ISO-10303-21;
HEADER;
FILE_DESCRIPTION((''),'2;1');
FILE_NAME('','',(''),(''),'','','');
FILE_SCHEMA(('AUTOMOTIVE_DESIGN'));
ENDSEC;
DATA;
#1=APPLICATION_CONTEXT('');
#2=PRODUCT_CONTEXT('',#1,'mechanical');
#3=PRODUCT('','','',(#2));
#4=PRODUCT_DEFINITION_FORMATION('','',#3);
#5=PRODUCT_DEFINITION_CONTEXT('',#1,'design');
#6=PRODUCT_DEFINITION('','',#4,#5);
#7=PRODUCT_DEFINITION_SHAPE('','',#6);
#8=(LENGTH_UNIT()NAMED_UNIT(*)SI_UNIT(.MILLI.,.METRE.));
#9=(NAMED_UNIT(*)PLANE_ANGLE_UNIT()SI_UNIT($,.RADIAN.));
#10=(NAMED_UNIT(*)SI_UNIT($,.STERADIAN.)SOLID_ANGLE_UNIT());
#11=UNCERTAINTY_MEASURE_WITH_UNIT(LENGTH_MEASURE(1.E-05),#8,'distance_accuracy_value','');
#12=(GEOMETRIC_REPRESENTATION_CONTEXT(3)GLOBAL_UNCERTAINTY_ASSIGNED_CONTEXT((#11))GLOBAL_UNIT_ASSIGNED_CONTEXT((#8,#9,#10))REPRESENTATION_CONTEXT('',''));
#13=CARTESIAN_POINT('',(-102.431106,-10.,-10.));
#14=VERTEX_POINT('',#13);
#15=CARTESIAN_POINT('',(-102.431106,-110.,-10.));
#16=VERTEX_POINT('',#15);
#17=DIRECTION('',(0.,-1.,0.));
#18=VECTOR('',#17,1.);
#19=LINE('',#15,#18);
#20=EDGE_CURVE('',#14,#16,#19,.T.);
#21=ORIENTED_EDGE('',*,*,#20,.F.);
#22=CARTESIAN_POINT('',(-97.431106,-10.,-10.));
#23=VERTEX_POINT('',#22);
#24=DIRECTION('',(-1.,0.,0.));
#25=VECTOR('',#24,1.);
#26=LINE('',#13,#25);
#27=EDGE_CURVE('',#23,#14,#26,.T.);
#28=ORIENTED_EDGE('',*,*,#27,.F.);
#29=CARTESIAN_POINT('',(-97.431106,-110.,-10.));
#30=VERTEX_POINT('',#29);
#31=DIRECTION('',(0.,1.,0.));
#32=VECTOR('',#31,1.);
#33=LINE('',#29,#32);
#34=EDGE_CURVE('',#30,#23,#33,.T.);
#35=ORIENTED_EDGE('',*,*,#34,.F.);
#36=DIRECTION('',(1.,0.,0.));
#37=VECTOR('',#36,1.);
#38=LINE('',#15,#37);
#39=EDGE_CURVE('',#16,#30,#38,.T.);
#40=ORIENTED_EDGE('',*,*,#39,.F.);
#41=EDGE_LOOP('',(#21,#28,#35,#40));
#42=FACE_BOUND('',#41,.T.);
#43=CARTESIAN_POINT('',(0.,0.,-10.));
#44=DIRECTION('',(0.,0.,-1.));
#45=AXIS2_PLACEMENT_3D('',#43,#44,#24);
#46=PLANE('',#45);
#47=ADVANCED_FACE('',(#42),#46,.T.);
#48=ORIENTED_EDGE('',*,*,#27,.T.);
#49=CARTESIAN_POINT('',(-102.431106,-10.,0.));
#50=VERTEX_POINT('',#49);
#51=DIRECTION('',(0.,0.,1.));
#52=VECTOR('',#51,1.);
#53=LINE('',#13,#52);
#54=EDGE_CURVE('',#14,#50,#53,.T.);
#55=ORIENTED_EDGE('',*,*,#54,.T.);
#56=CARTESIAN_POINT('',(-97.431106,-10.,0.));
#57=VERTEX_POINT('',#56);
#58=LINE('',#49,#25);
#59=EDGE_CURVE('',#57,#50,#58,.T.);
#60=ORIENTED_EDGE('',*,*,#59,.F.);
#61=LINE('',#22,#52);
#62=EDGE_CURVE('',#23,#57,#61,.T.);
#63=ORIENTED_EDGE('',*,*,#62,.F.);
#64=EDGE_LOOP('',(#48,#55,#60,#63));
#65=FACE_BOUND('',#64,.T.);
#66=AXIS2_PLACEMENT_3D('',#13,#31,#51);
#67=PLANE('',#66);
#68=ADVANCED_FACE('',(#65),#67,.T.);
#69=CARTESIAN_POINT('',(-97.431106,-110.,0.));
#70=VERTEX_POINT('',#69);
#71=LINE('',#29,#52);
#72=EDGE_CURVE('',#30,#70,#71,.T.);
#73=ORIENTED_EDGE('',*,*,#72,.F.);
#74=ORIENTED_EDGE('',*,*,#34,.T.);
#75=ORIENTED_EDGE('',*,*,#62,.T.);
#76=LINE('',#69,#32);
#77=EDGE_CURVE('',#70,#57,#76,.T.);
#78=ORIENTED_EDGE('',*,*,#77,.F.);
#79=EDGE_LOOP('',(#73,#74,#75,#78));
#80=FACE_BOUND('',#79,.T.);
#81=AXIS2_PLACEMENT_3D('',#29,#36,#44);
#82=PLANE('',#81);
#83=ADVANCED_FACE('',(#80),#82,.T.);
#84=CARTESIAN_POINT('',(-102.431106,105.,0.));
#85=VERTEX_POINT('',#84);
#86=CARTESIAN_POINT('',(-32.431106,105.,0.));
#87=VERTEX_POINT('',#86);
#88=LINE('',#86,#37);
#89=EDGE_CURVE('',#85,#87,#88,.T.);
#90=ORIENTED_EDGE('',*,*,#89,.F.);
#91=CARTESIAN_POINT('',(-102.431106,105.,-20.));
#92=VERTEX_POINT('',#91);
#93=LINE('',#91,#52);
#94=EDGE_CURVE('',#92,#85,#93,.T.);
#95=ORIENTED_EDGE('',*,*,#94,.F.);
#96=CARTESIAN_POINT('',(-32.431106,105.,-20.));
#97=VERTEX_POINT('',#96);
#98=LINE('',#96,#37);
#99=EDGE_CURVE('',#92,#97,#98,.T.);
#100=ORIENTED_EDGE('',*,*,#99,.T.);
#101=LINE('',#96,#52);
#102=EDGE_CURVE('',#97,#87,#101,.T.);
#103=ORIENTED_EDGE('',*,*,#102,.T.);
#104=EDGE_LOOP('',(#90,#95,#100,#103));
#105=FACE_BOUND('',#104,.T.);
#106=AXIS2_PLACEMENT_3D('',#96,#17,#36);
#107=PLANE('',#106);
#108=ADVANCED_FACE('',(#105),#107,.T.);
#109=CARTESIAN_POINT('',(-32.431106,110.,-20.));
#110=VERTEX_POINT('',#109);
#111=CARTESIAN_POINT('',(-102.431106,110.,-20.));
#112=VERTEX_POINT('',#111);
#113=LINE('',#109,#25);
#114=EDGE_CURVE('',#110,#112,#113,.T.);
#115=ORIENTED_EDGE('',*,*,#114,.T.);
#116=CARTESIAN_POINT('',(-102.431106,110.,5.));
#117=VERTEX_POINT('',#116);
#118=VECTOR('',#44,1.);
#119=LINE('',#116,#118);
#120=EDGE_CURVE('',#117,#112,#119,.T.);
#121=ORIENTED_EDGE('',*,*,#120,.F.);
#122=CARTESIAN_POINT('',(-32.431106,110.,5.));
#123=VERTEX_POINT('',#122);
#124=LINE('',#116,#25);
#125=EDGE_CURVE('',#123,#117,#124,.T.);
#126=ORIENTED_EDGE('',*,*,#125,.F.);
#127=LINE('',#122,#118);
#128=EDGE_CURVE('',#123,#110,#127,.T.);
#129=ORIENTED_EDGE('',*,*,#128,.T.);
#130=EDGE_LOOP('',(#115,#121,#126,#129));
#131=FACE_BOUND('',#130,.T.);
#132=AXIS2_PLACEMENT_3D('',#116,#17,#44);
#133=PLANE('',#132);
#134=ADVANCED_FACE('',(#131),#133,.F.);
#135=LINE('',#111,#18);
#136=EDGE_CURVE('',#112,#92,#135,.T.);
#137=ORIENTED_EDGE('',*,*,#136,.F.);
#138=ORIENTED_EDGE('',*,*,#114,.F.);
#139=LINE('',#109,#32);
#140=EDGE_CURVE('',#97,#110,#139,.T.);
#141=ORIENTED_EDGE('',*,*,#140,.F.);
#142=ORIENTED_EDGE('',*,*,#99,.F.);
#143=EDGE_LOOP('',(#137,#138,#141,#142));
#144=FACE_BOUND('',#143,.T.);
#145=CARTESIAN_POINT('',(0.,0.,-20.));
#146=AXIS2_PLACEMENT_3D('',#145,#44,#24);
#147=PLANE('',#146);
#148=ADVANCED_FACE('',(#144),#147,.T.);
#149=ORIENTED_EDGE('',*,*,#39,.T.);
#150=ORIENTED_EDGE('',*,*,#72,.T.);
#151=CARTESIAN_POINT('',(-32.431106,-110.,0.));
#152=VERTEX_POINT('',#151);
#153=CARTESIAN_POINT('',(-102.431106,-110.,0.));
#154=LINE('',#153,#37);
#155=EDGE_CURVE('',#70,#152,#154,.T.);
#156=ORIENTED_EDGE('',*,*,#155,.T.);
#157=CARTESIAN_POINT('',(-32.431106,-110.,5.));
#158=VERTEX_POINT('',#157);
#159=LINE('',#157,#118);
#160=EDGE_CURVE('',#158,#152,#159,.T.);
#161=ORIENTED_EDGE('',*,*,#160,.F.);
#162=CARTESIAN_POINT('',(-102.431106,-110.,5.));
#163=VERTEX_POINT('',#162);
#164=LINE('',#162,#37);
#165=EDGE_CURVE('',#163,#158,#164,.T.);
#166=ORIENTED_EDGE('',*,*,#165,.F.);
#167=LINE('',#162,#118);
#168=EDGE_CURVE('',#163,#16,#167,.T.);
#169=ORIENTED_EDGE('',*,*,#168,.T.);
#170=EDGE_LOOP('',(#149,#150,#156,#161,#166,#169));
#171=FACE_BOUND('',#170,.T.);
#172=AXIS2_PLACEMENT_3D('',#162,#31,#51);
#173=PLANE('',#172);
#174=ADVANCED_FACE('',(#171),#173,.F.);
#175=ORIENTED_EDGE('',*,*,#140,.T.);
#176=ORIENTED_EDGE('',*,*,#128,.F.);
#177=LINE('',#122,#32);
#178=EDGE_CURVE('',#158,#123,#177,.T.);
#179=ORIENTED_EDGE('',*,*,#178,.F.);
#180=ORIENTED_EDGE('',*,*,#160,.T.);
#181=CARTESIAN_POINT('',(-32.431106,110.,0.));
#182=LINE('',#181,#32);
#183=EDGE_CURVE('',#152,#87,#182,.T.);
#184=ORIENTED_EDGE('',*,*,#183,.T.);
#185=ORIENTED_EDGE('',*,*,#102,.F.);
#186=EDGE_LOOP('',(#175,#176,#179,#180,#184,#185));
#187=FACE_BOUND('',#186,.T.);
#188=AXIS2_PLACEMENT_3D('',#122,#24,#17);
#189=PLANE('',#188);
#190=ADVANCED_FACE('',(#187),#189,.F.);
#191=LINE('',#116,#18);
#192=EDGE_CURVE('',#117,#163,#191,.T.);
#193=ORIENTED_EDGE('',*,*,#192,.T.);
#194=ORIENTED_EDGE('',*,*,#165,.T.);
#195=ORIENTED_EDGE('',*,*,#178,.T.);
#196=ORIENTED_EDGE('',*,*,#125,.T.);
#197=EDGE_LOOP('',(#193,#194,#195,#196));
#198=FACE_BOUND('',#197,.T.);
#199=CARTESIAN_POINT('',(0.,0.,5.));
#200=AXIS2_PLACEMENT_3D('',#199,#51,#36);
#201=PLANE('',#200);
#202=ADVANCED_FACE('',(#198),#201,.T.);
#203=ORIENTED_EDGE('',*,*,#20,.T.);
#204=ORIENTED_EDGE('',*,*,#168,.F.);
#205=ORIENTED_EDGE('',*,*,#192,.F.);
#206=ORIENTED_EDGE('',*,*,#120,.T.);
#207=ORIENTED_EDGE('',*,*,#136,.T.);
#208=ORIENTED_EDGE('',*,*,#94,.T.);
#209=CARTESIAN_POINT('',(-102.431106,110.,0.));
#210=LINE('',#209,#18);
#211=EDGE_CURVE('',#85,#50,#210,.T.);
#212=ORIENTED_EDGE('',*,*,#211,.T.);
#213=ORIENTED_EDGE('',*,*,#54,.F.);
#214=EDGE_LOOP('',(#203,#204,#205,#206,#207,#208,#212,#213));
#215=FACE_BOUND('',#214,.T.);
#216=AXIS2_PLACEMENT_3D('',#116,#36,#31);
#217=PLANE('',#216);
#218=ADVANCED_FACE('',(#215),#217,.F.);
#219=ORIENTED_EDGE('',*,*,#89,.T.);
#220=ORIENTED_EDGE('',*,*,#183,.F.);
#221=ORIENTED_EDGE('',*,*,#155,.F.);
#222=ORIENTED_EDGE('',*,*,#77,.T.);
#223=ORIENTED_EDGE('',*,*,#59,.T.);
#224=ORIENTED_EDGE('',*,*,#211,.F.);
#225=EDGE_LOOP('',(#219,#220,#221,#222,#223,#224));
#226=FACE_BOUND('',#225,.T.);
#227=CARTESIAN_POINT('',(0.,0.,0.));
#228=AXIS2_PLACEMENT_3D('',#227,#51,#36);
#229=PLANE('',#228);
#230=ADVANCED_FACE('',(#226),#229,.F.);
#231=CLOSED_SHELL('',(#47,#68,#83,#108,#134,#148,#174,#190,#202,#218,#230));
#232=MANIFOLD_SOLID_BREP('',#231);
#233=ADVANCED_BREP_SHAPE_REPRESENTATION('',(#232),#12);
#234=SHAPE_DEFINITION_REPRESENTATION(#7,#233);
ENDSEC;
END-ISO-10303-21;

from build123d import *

# Parameters (mm, degrees)
SKETCH3_W           = 70
SKETCH3_H           = 220
BOSS_EXTRUDE2_DEPTH = 5
SKETCH4_W           = 5
SKETCH4_H           = 100
BOSS_EXTRUDE3_DEPTH = 10
SKETCH5_W           = 70
SKETCH5_H           = 5
BOSS_EXTRUDE4_DEPTH = 20


with BuildPart() as part:
    # Sketch3 → Boss-Extrude2 (new body)
    with BuildSketch(Plane.XY):
        with Locations((-67.431106164, 0)):
            Rectangle(SKETCH3_W, SKETCH3_H)
    extrude(amount=BOSS_EXTRUDE2_DEPTH)

    # Sketch4 → Boss-Extrude3 (add)
    with BuildSketch(Plane.XY):
        with Locations((-99.931106164, -60)):
            Rectangle(SKETCH4_W, SKETCH4_H)
    extrude(amount=-BOSS_EXTRUDE3_DEPTH)

    # Sketch5 → Boss-Extrude4 (add)
    with BuildSketch(Plane.XY):
        with Locations((-67.431106164, 107.5)):
            Rectangle(SKETCH5_W, SKETCH5_H)
    extrude(amount=-BOSS_EXTRUDE4_DEPTH)


solid = part.part
